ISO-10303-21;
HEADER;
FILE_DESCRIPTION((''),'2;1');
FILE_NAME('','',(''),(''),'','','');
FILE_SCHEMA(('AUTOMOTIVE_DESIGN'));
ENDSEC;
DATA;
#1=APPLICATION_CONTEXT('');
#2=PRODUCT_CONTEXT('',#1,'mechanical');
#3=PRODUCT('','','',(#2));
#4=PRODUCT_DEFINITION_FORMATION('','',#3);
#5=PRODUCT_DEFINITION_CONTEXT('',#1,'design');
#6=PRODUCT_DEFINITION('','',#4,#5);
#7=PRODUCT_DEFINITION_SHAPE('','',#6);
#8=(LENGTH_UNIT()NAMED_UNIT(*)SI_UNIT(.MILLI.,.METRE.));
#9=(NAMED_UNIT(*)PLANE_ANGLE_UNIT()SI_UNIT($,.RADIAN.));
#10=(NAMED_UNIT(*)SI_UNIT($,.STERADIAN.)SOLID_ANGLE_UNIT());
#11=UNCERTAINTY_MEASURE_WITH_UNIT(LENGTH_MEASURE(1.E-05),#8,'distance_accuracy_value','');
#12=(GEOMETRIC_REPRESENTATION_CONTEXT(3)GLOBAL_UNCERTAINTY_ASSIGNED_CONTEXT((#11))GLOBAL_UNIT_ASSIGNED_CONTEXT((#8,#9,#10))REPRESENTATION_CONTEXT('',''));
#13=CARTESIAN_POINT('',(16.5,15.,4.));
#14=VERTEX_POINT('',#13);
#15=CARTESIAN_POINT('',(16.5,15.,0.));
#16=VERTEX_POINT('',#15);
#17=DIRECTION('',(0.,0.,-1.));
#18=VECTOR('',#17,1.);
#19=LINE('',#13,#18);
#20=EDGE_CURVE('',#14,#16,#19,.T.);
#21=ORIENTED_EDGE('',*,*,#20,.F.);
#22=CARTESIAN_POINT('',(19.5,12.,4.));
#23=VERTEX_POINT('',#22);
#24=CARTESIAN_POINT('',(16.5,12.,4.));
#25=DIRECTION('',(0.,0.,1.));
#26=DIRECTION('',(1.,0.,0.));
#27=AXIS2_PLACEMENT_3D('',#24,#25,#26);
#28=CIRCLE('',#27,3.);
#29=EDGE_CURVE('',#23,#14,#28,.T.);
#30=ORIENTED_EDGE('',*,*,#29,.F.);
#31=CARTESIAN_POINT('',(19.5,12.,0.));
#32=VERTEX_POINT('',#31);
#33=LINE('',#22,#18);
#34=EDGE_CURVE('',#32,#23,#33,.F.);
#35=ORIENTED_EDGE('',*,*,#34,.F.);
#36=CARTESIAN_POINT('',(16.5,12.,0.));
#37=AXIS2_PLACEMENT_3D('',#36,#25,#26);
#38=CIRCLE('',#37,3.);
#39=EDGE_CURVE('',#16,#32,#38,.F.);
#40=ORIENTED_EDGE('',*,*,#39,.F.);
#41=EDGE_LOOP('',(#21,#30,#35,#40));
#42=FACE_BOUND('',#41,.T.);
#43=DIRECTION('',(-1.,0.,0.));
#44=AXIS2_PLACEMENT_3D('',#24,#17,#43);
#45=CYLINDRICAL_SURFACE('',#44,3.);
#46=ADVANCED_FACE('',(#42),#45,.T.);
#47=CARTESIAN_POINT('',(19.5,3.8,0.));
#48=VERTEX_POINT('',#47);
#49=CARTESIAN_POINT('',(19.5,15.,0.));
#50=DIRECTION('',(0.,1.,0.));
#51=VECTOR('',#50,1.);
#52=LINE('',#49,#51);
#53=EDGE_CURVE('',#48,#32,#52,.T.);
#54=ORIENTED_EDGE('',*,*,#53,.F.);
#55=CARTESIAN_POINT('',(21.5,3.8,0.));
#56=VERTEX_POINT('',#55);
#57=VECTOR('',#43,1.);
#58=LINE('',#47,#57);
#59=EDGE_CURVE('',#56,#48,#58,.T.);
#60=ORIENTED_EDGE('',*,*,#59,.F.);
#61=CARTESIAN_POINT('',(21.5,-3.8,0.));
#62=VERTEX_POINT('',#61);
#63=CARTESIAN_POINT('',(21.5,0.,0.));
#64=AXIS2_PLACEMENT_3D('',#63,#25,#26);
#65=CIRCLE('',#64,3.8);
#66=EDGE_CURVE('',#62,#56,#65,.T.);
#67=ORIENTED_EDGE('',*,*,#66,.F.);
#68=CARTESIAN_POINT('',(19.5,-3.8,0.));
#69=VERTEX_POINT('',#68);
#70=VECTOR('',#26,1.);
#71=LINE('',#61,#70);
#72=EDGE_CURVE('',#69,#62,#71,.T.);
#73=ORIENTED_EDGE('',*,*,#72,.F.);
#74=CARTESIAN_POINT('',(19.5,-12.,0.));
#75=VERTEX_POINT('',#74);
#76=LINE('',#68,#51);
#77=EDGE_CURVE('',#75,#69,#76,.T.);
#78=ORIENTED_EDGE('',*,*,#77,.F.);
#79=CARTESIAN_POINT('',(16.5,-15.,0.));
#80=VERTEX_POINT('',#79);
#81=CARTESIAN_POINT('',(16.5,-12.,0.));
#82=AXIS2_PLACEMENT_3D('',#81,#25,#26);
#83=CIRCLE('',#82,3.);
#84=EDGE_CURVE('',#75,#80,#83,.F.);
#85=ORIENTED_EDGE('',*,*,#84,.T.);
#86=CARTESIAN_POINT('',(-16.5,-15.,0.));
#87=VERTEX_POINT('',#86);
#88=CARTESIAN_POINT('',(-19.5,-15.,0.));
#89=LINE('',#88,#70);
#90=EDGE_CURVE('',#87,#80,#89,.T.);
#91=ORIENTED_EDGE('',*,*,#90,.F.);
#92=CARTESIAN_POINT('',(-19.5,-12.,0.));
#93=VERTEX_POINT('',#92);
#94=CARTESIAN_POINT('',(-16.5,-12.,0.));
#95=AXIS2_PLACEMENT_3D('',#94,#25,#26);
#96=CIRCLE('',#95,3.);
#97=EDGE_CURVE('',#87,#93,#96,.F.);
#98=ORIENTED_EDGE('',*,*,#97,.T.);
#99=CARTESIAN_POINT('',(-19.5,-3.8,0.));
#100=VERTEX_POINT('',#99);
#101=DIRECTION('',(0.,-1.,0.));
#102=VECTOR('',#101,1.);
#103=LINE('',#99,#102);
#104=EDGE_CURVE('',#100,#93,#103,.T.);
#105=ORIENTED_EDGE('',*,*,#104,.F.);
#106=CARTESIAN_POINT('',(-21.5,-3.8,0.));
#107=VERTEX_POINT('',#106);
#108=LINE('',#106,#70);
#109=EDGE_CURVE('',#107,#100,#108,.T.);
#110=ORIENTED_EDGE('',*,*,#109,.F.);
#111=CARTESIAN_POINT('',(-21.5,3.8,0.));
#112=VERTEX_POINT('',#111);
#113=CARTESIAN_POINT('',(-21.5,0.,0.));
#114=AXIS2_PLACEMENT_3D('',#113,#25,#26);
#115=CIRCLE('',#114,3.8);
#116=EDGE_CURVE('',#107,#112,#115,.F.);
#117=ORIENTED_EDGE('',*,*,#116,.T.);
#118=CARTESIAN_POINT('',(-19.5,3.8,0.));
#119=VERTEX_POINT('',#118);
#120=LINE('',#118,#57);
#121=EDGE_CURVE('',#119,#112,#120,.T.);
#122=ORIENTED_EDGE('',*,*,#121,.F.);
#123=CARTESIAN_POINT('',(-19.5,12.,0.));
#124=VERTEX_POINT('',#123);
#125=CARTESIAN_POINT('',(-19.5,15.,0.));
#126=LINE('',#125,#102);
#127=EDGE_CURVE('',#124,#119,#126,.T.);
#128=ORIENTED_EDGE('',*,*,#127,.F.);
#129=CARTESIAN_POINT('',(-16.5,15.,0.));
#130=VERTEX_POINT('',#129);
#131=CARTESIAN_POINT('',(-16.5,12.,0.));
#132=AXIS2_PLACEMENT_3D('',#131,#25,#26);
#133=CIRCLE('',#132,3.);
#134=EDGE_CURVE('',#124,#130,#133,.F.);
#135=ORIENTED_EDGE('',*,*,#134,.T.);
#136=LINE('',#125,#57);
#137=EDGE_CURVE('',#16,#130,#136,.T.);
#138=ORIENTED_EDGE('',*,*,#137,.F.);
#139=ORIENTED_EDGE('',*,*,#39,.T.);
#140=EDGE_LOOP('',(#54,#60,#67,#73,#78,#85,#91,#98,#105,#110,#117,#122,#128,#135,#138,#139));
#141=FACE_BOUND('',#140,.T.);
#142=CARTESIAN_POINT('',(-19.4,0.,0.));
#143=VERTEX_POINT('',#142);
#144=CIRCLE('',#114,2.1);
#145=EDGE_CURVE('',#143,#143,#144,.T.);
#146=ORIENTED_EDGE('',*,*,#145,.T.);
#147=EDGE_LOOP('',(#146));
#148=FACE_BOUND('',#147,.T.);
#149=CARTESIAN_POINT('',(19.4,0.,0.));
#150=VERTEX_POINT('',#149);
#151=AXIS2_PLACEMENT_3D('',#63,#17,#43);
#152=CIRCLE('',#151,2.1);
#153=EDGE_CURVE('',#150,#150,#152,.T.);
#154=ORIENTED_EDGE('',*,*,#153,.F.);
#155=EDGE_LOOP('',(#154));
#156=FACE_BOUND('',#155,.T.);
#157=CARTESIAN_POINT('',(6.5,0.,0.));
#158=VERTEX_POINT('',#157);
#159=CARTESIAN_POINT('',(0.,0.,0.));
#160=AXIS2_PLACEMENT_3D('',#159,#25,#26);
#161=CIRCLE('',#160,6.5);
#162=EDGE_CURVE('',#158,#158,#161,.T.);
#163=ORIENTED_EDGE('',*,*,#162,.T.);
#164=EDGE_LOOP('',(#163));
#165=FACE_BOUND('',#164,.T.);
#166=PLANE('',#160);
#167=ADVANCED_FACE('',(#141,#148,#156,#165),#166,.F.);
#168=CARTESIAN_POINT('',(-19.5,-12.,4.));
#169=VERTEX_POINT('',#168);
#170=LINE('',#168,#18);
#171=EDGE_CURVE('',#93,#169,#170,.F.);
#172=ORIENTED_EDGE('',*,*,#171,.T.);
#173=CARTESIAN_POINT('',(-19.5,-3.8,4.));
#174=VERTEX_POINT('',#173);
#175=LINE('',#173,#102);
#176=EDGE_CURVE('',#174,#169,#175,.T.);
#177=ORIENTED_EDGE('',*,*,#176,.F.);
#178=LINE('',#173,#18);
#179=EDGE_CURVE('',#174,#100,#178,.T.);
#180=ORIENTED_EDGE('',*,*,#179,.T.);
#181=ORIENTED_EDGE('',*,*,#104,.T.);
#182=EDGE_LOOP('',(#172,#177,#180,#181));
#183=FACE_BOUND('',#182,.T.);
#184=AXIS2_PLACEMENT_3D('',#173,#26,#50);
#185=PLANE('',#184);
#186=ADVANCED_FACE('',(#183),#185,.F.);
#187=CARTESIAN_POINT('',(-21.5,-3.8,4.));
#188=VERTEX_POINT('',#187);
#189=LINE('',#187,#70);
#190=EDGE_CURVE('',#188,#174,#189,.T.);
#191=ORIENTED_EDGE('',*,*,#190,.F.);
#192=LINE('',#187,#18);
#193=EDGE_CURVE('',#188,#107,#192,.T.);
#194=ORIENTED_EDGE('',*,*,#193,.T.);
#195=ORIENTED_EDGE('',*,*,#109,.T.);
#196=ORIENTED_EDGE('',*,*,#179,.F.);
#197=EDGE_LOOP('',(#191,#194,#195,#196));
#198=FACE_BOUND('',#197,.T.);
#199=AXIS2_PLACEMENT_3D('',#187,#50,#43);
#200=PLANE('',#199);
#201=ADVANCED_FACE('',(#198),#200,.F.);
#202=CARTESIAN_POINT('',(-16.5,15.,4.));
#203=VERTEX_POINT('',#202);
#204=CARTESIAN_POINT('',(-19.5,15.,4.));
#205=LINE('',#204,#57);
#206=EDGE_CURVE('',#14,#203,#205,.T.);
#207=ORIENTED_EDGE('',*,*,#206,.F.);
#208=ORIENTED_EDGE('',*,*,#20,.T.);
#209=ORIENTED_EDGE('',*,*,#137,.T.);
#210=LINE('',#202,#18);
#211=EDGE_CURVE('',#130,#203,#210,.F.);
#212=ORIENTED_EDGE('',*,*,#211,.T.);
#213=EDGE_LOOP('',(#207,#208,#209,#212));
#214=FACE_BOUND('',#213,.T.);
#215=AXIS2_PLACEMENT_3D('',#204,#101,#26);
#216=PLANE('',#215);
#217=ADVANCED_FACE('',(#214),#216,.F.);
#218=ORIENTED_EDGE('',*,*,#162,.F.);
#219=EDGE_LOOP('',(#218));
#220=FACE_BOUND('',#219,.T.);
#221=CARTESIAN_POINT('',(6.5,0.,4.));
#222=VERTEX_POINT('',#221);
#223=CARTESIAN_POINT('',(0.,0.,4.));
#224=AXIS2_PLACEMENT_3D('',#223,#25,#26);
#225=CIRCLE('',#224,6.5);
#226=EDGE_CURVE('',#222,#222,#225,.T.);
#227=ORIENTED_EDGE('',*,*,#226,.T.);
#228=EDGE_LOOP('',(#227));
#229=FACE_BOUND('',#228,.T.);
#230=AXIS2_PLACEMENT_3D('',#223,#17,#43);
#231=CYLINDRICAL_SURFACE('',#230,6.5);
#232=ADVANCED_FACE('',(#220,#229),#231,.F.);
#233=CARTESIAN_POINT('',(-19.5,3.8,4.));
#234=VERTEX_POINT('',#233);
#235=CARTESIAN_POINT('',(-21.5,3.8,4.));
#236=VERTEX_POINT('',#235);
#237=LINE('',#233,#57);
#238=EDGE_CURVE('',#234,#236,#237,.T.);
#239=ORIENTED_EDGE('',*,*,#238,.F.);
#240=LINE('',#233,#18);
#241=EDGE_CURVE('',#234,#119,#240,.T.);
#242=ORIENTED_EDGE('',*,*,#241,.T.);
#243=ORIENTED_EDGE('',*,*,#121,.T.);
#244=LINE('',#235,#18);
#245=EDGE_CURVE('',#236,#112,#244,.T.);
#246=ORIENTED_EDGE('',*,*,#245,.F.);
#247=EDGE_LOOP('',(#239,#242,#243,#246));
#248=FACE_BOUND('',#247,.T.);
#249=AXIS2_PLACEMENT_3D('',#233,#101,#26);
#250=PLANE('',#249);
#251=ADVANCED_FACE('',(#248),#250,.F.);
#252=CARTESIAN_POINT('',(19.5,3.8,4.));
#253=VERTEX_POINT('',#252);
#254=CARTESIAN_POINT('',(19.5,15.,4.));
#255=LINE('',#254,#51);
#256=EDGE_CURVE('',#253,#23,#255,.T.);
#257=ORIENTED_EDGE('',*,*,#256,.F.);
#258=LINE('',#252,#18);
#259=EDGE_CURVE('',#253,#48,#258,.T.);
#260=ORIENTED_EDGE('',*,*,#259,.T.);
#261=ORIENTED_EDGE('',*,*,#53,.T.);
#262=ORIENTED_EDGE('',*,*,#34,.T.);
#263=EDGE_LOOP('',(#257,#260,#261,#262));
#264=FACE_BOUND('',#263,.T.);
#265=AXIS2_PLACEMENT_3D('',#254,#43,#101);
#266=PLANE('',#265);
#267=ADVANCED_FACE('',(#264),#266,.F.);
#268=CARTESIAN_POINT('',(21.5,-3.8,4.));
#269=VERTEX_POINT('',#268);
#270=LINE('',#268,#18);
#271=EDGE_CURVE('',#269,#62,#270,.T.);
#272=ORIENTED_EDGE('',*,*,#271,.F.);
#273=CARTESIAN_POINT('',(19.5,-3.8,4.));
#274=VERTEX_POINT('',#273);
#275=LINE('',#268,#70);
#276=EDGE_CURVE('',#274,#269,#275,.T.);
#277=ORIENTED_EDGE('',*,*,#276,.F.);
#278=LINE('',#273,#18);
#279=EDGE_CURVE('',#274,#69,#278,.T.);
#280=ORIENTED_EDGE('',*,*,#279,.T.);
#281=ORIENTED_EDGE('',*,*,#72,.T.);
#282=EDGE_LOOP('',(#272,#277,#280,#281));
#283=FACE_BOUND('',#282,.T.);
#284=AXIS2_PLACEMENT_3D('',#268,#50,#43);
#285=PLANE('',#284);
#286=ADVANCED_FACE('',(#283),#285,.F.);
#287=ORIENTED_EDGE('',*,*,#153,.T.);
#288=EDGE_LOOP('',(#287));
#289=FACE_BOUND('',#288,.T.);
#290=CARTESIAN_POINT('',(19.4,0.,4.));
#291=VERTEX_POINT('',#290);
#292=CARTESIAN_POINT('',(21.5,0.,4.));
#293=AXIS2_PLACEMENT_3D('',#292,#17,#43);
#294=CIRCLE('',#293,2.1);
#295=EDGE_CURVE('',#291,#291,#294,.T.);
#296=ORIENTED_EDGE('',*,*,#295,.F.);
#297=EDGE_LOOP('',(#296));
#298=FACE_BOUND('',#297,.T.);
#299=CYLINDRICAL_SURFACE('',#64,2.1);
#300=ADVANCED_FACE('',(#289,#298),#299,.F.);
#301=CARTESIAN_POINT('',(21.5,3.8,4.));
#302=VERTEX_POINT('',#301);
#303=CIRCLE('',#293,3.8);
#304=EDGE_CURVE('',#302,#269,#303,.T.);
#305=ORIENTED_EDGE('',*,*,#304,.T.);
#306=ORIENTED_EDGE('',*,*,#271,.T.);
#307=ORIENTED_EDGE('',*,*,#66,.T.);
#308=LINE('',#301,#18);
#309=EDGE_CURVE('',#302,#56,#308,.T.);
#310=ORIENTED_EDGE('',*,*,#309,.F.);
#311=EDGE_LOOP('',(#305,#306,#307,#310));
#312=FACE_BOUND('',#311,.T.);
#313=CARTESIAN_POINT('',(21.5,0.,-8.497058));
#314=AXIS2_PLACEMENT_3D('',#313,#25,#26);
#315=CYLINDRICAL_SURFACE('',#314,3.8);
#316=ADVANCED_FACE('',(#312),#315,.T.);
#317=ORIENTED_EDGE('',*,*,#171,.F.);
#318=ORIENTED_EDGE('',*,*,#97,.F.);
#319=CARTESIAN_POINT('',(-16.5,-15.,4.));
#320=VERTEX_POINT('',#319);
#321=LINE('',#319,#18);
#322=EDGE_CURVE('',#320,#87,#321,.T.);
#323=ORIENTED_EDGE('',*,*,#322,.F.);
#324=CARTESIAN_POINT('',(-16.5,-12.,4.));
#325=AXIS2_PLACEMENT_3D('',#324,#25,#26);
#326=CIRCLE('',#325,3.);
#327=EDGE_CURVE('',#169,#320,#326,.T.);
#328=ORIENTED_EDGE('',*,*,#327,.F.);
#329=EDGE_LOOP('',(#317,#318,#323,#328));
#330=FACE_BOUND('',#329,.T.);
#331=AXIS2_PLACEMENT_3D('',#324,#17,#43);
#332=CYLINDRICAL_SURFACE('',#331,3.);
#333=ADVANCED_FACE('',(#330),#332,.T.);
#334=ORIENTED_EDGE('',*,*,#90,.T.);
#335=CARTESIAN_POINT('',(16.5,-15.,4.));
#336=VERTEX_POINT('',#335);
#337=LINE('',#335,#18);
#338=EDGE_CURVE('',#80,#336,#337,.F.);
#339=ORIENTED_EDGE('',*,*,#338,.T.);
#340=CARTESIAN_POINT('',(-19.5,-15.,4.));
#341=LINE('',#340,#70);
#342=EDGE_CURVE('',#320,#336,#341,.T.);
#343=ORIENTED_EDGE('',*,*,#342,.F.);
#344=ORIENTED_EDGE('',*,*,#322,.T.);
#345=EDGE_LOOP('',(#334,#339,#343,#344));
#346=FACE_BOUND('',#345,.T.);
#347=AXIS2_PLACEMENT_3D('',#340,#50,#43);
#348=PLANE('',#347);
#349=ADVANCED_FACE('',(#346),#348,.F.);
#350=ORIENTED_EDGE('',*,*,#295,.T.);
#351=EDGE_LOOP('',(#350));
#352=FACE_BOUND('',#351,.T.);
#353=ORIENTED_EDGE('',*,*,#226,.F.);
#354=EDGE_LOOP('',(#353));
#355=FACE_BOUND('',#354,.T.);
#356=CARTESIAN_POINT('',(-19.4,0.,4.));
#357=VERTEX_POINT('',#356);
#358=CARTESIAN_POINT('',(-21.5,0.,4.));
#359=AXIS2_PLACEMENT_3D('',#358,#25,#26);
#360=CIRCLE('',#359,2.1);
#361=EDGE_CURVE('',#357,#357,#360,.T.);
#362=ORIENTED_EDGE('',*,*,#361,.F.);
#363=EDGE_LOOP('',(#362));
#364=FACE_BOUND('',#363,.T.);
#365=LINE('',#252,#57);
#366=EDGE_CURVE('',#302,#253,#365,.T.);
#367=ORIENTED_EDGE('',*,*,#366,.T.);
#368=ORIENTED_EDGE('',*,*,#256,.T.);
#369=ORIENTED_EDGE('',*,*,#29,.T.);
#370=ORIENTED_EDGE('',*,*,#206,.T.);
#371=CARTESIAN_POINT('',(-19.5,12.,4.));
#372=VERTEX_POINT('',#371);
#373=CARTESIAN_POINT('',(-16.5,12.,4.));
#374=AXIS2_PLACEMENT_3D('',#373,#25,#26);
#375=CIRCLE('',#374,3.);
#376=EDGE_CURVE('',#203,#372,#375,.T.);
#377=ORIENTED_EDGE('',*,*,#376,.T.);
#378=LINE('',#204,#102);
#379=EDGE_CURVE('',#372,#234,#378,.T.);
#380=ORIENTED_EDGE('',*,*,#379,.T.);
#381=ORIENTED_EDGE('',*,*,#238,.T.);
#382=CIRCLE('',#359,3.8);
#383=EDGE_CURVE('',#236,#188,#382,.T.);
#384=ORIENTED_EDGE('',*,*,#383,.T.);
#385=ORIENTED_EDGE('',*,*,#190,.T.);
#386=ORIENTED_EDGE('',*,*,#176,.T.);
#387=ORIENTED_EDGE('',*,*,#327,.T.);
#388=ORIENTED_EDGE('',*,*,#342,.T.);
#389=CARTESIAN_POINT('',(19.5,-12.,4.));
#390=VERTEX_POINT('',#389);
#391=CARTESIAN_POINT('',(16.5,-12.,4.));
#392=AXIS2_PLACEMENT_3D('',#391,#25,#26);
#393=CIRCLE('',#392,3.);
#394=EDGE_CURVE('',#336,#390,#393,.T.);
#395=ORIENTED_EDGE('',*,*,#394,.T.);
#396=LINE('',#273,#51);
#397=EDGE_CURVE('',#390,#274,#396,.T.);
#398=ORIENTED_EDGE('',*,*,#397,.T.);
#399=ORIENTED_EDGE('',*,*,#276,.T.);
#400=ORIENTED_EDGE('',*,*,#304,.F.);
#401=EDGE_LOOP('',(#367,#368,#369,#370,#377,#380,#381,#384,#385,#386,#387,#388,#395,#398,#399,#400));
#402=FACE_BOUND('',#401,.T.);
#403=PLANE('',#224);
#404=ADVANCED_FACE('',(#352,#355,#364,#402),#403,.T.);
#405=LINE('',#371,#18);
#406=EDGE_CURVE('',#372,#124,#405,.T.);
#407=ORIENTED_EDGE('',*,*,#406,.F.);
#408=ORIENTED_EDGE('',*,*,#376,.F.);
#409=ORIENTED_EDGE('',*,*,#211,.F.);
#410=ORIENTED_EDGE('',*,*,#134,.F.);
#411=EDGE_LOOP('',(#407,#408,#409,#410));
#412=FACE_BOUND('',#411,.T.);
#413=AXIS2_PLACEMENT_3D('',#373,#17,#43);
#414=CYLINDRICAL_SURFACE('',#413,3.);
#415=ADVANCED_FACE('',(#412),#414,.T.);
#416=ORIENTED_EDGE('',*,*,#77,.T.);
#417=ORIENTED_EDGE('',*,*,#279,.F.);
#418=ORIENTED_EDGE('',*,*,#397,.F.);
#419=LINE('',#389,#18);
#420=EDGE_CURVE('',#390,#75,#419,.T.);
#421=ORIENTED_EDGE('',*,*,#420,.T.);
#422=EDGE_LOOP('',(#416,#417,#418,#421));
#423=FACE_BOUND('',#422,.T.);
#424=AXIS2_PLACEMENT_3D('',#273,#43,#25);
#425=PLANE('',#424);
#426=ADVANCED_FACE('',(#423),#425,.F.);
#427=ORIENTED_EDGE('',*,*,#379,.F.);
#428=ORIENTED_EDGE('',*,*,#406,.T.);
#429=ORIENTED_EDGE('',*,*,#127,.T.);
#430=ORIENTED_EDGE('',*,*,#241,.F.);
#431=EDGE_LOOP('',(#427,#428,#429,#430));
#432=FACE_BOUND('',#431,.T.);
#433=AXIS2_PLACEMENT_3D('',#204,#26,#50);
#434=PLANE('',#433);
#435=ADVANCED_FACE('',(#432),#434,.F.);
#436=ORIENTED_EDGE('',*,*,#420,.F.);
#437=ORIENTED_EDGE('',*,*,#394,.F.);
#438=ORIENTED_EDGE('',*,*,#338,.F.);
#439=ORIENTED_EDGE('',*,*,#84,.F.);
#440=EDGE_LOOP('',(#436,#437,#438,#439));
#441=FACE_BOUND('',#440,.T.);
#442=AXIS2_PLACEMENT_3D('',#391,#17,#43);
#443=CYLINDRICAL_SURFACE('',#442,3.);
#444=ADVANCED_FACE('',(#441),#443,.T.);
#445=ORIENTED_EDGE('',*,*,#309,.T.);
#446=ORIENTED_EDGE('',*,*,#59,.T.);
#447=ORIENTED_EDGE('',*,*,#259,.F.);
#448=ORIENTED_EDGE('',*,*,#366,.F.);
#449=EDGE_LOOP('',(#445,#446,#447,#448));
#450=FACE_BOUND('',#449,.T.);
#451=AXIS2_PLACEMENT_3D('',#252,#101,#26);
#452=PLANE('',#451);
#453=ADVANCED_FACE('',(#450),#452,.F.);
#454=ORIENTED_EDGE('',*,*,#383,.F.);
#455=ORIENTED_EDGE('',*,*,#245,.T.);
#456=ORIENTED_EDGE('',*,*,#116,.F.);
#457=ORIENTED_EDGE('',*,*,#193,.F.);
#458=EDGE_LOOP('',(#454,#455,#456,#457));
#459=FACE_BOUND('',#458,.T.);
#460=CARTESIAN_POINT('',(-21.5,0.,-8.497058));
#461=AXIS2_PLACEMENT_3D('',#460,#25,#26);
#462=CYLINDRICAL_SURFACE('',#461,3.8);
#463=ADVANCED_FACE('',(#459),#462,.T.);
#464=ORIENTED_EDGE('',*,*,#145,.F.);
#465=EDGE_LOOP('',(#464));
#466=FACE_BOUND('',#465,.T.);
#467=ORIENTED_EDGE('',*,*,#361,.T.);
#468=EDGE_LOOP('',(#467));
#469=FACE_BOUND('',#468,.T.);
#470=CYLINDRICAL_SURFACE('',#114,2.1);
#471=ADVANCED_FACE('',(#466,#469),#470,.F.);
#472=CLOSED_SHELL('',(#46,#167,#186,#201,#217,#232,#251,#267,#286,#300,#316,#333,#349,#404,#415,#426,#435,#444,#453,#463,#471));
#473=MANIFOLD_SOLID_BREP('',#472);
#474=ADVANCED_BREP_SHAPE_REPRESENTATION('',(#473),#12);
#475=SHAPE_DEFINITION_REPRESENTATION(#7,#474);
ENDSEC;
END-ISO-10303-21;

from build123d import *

# Parameters (mm, degrees)
SKETCH1_R           = 6.5
BOSS_EXTRUDE1_DEPTH = 4
BOSS_EXTRUDE2_DEPTH = 4
SKETCH3_R           = 2.1
CUT_EXTRUDE1_DEPTH  = 30.683160209
FILLET1_R           = 3


with BuildPart() as part:
    # Sketch1 → Boss-Extrude1 (new body)
    with BuildSketch(Plane.XY):
        Polygon((19.5, 3.8), (21.5, 3.8), (21.5, -3.8), (19.5, -3.8), (19.5, -15), (-19.5, -15), (-19.5, -3.8), (-21.5, -3.8), (-21.5, 3.8), (-19.5, 3.8), (-19.5, 15), (19.5, 15), align=None)
        Circle(SKETCH1_R, mode=Mode.SUBTRACT)
    extrude(amount=BOSS_EXTRUDE1_DEPTH)

    # Sketch2 → Boss-Extrude2 (add)
    with BuildSketch(Plane.XY.offset(4)):
        with BuildLine():
            Line((-21.5, 3.8), (-21.5, -3.8))
            ThreePointArc((-21.5, -3.8), (-25.3, 0), (-21.5, 3.8))
        make_face()
    boss_extrude2 = extrude(amount=-BOSS_EXTRUDE2_DEPTH)

    # Sketch3 → Cut-Extrude1 (cut, through all)
    with BuildSketch(Plane.XY.offset(4)):
        with Locations((-21.5, 0)):
            Circle(SKETCH3_R)
    cut_extrude1 = extrude(amount=-CUT_EXTRUDE1_DEPTH, mode=Mode.SUBTRACT)

    # Mirror1: Boss-Extrude2, Cut-Extrude1 across plane
    add(boss_extrude2.mirror(Plane.ZY))
    add(cut_extrude1.mirror(Plane.ZY), mode=Mode.SUBTRACT)

    # Fillet1
    fillet1_edges = [part.edges().sort_by_distance(p)[0] for p in [
        (19.5, -15, 2),
        (-19.5, -15, 2),
        (-19.5, 15, 2),
        (19.5, 15, 2),
    ]]
    fillet(fillet1_edges, radius=FILLET1_R)


solid = part.part
